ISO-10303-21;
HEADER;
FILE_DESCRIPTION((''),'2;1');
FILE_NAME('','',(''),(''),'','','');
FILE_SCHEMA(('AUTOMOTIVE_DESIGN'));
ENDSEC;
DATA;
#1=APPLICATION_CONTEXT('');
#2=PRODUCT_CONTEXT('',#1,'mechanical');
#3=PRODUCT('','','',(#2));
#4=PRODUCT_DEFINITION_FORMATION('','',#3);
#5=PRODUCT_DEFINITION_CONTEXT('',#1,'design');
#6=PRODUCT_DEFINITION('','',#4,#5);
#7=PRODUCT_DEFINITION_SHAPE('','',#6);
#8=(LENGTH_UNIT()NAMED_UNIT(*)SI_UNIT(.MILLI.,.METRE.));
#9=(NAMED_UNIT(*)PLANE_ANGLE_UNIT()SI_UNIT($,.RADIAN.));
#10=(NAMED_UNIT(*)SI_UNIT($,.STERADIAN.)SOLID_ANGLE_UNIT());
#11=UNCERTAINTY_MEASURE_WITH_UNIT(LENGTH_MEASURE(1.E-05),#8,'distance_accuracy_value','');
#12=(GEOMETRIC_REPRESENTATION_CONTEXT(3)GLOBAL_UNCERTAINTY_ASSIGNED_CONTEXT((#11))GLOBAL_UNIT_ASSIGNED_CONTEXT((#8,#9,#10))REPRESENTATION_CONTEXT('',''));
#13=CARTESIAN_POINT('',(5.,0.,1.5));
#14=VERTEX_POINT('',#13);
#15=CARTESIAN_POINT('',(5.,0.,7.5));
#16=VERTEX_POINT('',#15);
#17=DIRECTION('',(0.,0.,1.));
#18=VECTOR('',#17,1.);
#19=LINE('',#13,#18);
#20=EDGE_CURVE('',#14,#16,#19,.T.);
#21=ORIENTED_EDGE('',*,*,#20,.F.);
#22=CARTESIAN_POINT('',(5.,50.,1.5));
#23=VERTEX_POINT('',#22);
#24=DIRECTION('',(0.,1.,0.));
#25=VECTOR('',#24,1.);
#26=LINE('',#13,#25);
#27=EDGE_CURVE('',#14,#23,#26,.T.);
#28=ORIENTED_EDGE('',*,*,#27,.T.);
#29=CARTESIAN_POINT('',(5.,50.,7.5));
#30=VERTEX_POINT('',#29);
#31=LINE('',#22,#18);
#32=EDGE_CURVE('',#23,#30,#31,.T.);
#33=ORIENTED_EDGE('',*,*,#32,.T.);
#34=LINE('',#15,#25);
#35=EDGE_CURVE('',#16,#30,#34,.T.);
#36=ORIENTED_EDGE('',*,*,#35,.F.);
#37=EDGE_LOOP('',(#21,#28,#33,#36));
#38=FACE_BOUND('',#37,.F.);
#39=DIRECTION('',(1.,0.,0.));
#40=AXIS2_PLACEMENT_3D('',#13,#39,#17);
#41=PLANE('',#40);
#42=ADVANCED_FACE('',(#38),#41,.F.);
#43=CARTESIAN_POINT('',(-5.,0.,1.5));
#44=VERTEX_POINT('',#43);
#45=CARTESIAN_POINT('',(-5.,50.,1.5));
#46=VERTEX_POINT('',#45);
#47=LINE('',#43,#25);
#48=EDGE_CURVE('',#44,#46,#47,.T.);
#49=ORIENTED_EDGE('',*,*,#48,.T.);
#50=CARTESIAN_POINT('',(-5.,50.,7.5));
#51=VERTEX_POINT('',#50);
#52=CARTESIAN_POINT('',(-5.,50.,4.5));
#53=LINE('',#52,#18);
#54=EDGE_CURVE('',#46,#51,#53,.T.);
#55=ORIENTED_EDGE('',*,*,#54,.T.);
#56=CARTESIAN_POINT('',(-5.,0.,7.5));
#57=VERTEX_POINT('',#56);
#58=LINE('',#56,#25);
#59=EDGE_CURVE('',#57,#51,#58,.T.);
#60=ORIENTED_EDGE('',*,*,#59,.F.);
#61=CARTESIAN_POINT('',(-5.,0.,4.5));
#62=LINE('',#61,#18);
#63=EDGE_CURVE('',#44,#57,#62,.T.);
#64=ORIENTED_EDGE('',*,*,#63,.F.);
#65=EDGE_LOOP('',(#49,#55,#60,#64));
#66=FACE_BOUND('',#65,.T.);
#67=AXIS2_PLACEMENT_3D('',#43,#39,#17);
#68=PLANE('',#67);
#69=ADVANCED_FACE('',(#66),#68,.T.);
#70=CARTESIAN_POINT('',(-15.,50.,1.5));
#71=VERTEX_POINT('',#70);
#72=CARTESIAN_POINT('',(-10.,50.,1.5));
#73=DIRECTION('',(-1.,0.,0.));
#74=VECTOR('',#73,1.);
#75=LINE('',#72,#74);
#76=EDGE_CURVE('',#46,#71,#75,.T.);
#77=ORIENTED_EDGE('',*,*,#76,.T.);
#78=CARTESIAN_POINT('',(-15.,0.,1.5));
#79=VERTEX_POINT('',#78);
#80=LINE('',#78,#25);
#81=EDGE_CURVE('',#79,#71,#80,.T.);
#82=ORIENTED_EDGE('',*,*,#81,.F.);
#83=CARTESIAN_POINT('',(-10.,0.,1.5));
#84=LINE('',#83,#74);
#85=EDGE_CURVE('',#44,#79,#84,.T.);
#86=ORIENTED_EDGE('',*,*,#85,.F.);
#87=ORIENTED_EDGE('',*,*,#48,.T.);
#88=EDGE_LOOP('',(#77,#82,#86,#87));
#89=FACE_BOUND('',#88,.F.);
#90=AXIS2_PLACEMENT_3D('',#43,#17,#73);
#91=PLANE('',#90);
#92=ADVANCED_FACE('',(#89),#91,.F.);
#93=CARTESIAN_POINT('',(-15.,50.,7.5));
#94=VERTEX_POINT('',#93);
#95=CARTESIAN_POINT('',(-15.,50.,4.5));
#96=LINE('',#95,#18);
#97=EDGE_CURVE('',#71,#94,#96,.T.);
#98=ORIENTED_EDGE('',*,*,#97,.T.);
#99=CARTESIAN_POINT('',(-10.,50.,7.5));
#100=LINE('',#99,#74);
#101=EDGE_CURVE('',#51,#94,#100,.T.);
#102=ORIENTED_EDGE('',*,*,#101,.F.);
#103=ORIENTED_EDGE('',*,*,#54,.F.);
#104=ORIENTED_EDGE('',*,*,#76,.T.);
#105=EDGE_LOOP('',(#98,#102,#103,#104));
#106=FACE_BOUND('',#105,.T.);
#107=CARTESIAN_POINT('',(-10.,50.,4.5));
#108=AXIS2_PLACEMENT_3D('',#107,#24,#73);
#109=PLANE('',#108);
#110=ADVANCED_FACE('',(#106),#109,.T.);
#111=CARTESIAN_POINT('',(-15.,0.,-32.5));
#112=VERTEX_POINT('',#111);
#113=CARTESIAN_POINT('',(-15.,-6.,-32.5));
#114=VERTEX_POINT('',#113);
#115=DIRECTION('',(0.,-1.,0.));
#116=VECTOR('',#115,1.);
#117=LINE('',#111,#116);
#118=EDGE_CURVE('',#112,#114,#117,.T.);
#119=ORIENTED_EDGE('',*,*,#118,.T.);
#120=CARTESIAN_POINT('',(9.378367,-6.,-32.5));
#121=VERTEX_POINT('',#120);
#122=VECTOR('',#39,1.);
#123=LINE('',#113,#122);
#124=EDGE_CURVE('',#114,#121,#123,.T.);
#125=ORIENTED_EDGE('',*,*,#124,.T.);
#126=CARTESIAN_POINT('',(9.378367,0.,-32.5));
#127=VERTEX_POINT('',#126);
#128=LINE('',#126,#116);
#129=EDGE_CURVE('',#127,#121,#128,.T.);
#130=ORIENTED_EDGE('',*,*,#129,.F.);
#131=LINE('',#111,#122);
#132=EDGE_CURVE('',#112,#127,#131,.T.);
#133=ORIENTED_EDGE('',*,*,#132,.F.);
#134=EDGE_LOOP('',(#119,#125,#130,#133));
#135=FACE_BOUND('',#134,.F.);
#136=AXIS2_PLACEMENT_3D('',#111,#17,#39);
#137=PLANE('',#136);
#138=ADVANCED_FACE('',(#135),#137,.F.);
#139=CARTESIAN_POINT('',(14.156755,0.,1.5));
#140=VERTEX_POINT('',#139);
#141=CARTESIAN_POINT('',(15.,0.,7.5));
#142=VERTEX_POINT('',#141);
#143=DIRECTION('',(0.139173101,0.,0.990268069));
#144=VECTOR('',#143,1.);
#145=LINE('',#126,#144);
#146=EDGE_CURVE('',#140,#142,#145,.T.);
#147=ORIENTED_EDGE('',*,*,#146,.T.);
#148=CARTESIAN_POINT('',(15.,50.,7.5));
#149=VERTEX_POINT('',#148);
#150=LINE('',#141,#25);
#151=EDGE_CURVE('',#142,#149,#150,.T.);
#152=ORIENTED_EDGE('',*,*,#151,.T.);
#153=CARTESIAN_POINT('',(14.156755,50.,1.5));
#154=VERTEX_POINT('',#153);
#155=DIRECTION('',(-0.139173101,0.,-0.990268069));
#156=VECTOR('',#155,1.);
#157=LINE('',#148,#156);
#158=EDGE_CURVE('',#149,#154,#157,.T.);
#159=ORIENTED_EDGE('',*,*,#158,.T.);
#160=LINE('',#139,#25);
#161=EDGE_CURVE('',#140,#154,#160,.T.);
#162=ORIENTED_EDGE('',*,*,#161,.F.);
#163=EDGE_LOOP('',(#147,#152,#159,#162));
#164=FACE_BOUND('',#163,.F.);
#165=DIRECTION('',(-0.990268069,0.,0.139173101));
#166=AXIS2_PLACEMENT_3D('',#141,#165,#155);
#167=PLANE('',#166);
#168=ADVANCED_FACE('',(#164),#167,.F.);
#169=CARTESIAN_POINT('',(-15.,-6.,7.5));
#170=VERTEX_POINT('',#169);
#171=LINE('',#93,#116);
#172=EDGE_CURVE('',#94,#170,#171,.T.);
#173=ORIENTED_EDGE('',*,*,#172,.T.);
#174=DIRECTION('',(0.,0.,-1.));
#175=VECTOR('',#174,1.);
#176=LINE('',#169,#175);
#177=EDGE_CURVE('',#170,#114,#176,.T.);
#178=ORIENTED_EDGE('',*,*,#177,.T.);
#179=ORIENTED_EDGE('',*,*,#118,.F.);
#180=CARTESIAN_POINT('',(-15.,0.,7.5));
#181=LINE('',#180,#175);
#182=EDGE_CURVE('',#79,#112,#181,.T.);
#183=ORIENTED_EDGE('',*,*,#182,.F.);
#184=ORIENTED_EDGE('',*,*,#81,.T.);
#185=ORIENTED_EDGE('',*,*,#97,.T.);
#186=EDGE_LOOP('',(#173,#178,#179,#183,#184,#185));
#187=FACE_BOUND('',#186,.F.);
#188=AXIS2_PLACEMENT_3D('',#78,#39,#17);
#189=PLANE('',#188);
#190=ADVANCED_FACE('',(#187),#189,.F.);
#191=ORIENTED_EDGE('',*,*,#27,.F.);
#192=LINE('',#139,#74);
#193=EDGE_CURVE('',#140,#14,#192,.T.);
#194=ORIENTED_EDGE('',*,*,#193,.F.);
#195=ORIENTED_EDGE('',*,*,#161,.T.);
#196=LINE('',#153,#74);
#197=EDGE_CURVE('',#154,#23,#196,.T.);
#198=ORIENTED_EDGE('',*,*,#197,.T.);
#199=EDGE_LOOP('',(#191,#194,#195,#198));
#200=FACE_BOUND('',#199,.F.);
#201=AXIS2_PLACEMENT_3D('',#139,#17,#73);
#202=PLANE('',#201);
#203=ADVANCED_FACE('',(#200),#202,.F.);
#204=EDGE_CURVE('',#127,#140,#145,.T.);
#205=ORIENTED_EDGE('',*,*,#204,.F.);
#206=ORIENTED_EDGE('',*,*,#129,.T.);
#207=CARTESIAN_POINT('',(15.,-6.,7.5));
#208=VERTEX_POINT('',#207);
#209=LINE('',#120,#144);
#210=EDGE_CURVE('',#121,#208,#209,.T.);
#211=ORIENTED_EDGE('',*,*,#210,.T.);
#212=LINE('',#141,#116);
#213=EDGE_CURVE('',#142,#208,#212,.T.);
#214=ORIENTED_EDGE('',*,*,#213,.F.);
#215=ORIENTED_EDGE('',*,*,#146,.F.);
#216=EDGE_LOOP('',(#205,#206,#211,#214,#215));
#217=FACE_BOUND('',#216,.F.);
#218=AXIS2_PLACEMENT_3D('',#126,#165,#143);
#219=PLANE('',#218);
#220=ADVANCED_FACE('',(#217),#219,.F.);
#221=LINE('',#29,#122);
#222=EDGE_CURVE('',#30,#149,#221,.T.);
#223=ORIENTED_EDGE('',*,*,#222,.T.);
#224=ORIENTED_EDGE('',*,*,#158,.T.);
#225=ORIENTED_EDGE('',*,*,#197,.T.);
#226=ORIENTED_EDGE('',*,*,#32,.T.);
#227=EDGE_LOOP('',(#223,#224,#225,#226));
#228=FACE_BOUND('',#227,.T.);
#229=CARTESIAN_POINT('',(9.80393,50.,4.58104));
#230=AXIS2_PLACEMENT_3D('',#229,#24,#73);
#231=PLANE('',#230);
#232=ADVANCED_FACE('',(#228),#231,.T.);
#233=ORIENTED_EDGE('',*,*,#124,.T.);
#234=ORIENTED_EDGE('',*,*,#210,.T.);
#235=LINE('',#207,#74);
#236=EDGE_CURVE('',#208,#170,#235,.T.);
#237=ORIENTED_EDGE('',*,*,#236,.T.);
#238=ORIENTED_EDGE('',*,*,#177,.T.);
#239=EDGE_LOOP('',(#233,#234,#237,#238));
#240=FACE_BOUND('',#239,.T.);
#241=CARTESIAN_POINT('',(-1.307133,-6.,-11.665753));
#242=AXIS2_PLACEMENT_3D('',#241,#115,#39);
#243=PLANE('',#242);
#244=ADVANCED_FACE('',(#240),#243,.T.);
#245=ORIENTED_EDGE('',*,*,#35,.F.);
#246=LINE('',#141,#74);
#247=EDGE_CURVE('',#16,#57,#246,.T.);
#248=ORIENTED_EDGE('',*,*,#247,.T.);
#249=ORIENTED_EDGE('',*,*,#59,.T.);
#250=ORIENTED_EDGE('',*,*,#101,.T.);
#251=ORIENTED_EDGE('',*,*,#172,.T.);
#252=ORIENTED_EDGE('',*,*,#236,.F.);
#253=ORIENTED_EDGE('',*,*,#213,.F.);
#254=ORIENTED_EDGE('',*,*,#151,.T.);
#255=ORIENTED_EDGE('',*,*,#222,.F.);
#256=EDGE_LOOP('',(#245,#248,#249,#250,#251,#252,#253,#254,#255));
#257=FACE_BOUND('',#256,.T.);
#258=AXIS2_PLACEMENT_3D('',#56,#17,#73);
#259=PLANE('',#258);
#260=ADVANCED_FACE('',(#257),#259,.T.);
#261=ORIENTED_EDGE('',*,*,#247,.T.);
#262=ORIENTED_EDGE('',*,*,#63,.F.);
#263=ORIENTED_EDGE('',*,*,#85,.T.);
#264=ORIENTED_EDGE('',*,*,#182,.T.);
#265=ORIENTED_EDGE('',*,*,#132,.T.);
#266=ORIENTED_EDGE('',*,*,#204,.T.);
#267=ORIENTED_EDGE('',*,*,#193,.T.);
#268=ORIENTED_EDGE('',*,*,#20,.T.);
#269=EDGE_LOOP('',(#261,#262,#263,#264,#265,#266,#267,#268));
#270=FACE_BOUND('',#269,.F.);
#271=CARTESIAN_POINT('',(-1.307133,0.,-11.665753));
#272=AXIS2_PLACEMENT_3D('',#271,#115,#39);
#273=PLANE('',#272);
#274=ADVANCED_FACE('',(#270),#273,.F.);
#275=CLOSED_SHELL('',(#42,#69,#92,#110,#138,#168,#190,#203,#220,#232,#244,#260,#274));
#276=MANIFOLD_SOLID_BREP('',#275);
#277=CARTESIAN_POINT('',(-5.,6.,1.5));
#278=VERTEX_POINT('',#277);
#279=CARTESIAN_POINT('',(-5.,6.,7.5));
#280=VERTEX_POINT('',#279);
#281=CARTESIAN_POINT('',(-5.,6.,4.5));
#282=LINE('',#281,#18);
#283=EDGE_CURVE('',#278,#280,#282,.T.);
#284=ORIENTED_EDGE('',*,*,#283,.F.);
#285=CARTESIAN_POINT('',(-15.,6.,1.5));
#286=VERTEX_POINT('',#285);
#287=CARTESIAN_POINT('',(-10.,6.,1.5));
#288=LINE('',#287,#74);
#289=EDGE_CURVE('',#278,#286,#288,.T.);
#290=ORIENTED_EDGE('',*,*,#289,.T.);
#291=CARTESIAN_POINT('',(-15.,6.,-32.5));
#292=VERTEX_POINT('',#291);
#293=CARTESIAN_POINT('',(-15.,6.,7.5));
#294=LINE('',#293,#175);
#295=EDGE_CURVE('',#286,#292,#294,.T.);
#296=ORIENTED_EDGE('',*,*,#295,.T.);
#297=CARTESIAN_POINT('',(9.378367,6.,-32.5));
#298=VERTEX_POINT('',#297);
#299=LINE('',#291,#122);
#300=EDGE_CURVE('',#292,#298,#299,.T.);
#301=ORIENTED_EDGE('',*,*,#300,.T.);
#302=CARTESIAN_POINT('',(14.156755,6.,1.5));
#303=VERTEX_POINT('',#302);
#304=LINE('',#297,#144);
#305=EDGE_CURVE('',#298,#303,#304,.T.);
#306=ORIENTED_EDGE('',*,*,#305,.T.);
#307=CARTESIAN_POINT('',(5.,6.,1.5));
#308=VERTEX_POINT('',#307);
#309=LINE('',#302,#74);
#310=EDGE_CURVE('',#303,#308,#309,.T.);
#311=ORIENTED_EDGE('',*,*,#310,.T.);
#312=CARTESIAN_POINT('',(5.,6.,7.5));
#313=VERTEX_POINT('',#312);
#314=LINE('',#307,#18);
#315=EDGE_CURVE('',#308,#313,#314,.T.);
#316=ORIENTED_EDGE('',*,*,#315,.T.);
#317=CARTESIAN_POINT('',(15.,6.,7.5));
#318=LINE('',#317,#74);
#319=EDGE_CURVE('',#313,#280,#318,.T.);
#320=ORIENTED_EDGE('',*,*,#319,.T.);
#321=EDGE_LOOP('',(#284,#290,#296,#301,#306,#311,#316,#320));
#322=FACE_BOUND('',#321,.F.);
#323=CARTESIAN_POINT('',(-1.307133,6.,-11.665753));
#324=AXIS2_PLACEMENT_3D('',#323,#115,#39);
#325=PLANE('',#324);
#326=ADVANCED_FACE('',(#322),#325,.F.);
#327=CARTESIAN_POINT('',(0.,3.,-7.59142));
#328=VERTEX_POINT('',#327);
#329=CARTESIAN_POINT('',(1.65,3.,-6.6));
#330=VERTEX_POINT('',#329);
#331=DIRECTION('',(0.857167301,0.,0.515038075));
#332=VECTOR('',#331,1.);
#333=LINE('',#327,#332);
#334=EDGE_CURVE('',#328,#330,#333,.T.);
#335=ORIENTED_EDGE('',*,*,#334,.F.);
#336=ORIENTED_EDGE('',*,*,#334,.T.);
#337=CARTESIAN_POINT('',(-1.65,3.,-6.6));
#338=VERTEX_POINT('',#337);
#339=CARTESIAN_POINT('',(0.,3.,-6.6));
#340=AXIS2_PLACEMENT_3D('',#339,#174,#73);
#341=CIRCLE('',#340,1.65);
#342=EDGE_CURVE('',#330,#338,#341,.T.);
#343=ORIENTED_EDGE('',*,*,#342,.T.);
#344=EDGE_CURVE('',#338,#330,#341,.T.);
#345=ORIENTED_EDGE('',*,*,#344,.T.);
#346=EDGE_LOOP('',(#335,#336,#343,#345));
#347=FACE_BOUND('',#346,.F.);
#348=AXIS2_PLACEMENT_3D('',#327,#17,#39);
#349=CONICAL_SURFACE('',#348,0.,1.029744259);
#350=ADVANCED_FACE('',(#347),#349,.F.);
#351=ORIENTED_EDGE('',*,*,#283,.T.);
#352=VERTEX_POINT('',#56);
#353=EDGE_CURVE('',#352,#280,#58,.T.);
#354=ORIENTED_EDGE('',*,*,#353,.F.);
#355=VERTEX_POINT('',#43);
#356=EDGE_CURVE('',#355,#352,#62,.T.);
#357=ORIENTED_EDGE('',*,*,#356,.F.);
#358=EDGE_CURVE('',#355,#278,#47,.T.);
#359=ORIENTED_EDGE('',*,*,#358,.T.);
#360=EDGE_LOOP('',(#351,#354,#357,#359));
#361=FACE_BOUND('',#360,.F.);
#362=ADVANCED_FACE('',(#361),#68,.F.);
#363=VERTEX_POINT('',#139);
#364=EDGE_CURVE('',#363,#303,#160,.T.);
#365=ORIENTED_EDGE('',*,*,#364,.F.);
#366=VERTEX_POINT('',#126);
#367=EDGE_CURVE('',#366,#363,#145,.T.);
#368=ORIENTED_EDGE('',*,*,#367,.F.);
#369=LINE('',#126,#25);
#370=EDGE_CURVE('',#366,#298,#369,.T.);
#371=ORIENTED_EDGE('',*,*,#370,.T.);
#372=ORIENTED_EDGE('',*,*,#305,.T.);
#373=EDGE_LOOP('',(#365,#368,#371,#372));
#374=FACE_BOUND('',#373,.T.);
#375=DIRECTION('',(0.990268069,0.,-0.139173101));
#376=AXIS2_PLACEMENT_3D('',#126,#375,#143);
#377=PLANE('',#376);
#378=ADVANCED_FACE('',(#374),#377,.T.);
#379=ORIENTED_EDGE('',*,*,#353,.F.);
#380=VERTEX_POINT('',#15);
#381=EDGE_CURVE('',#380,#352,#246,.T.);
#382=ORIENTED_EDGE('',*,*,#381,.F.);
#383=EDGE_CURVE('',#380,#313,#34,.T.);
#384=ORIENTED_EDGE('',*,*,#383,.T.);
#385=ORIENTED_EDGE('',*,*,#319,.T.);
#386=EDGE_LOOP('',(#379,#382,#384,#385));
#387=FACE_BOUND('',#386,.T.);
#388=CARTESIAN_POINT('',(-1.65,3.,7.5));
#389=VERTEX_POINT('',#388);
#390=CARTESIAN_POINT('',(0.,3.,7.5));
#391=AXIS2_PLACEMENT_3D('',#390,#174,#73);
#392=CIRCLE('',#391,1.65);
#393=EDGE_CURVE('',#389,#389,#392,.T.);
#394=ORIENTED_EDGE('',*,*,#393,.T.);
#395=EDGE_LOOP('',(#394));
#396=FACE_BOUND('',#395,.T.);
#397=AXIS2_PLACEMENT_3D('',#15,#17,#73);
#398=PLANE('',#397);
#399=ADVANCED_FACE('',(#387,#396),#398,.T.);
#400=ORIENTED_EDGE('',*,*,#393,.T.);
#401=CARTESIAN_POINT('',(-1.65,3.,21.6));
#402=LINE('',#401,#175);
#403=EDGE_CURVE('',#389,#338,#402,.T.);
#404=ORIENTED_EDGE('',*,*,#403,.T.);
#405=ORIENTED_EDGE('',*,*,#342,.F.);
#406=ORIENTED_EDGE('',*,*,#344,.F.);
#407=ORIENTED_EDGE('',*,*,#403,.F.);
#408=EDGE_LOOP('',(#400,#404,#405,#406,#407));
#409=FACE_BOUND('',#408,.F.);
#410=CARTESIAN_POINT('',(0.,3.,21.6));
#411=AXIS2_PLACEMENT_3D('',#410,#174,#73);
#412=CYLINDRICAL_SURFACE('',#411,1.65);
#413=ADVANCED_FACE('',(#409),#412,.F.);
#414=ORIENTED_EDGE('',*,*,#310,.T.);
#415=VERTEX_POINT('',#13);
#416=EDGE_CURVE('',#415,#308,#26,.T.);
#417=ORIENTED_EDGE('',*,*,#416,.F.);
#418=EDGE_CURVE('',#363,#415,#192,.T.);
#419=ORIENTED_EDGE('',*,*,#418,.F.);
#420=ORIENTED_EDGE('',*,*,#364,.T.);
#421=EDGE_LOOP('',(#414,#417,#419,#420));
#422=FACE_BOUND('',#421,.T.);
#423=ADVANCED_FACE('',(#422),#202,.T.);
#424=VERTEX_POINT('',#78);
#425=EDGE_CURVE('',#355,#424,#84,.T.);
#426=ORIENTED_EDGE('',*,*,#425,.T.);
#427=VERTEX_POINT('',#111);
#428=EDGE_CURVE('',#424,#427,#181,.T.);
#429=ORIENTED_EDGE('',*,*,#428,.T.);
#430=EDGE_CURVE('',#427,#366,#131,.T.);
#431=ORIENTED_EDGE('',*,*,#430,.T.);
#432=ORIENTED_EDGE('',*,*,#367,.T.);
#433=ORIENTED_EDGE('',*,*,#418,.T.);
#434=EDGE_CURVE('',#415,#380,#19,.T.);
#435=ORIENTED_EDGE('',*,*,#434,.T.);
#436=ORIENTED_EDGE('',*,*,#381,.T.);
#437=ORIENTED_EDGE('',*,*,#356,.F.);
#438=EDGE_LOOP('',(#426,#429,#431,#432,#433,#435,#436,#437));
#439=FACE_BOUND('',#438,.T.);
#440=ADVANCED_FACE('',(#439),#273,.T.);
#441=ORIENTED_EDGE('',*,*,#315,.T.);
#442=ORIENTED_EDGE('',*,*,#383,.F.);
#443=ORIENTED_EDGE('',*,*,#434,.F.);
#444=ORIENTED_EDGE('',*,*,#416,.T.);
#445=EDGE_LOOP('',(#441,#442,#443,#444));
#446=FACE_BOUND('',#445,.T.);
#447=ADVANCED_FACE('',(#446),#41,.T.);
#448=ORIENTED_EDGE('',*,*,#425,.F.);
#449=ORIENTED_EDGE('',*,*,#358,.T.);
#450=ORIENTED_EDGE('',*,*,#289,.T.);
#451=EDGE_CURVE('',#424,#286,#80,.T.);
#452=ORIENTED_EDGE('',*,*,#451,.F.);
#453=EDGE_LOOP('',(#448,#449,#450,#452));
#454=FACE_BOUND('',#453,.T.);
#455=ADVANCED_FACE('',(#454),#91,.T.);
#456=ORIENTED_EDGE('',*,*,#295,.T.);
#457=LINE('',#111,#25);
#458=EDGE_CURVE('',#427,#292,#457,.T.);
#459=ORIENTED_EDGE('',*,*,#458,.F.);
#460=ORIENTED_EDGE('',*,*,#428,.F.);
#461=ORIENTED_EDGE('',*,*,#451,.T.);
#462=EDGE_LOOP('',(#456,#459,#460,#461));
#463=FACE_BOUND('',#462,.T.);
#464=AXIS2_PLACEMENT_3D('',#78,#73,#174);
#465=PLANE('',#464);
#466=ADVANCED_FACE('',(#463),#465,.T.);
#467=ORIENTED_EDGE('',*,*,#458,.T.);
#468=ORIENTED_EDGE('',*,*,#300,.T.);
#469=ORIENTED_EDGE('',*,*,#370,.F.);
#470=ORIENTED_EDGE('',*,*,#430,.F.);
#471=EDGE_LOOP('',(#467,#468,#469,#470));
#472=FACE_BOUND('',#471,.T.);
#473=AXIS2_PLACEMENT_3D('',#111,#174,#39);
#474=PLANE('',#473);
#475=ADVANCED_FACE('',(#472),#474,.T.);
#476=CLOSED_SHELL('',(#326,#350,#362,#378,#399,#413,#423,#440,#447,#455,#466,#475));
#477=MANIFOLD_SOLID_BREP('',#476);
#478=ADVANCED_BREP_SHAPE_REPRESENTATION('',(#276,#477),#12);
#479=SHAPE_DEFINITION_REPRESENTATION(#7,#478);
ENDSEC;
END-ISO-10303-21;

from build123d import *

# Parameters (mm, degrees)
F1_DEPTH = 6
F2_W     = 10
F2_H     = 6
F3_DEPTH = 50
F4_DEPTH = 6
F6_D     = 3.3
F6_DEPTH = 14.1
F6_TIP   = 0.9914200214


with BuildPart() as f1:
    # F0 (on Front) → F1 (new body)
    with BuildSketch(Plane.XZ):
        Polygon((-15, 7.5), (-15, -32.5), (9.3783666119, -32.5), (15, 7.5), align=None)
    extrude(amount=F1_DEPTH)

    # F2 (on face) → F3 (join)
    with BuildSketch(Plane(origin=(0, 0, 0), x_dir=(-1, 0, 0), z_dir=(0, 1, 0))):
        with Locations((10, 4.5)):
            Rectangle(F2_W, F2_H)
        Polygon((-5, 1.5), (-5, 7.5), (-15, 7.5), (-14.1567549918, 1.5), align=None)
    extrude(amount=F3_DEPTH)


with BuildPart() as f4:
    # F4 (new): a face of the model
    f4_faces = [f1.part.faces().sort_by_distance(p)[0] for p in [
        (-1.4829134342, 0, -13.788503144),
    ]]
    extrude(f4_faces, amount=F4_DEPTH)

    # F6
    with Locations(Plane.XY.offset(7.5)):
        with Locations((0, 3)):
            Hole(F6_D / 2, depth=F6_DEPTH)
            with Locations((0, 0, -(F6_DEPTH + F6_TIP / 2))):  # 118° drill point
                Cone(0, F6_D / 2, F6_TIP, mode=Mode.SUBTRACT)


solid = Compound([f1.part, f4.part])
